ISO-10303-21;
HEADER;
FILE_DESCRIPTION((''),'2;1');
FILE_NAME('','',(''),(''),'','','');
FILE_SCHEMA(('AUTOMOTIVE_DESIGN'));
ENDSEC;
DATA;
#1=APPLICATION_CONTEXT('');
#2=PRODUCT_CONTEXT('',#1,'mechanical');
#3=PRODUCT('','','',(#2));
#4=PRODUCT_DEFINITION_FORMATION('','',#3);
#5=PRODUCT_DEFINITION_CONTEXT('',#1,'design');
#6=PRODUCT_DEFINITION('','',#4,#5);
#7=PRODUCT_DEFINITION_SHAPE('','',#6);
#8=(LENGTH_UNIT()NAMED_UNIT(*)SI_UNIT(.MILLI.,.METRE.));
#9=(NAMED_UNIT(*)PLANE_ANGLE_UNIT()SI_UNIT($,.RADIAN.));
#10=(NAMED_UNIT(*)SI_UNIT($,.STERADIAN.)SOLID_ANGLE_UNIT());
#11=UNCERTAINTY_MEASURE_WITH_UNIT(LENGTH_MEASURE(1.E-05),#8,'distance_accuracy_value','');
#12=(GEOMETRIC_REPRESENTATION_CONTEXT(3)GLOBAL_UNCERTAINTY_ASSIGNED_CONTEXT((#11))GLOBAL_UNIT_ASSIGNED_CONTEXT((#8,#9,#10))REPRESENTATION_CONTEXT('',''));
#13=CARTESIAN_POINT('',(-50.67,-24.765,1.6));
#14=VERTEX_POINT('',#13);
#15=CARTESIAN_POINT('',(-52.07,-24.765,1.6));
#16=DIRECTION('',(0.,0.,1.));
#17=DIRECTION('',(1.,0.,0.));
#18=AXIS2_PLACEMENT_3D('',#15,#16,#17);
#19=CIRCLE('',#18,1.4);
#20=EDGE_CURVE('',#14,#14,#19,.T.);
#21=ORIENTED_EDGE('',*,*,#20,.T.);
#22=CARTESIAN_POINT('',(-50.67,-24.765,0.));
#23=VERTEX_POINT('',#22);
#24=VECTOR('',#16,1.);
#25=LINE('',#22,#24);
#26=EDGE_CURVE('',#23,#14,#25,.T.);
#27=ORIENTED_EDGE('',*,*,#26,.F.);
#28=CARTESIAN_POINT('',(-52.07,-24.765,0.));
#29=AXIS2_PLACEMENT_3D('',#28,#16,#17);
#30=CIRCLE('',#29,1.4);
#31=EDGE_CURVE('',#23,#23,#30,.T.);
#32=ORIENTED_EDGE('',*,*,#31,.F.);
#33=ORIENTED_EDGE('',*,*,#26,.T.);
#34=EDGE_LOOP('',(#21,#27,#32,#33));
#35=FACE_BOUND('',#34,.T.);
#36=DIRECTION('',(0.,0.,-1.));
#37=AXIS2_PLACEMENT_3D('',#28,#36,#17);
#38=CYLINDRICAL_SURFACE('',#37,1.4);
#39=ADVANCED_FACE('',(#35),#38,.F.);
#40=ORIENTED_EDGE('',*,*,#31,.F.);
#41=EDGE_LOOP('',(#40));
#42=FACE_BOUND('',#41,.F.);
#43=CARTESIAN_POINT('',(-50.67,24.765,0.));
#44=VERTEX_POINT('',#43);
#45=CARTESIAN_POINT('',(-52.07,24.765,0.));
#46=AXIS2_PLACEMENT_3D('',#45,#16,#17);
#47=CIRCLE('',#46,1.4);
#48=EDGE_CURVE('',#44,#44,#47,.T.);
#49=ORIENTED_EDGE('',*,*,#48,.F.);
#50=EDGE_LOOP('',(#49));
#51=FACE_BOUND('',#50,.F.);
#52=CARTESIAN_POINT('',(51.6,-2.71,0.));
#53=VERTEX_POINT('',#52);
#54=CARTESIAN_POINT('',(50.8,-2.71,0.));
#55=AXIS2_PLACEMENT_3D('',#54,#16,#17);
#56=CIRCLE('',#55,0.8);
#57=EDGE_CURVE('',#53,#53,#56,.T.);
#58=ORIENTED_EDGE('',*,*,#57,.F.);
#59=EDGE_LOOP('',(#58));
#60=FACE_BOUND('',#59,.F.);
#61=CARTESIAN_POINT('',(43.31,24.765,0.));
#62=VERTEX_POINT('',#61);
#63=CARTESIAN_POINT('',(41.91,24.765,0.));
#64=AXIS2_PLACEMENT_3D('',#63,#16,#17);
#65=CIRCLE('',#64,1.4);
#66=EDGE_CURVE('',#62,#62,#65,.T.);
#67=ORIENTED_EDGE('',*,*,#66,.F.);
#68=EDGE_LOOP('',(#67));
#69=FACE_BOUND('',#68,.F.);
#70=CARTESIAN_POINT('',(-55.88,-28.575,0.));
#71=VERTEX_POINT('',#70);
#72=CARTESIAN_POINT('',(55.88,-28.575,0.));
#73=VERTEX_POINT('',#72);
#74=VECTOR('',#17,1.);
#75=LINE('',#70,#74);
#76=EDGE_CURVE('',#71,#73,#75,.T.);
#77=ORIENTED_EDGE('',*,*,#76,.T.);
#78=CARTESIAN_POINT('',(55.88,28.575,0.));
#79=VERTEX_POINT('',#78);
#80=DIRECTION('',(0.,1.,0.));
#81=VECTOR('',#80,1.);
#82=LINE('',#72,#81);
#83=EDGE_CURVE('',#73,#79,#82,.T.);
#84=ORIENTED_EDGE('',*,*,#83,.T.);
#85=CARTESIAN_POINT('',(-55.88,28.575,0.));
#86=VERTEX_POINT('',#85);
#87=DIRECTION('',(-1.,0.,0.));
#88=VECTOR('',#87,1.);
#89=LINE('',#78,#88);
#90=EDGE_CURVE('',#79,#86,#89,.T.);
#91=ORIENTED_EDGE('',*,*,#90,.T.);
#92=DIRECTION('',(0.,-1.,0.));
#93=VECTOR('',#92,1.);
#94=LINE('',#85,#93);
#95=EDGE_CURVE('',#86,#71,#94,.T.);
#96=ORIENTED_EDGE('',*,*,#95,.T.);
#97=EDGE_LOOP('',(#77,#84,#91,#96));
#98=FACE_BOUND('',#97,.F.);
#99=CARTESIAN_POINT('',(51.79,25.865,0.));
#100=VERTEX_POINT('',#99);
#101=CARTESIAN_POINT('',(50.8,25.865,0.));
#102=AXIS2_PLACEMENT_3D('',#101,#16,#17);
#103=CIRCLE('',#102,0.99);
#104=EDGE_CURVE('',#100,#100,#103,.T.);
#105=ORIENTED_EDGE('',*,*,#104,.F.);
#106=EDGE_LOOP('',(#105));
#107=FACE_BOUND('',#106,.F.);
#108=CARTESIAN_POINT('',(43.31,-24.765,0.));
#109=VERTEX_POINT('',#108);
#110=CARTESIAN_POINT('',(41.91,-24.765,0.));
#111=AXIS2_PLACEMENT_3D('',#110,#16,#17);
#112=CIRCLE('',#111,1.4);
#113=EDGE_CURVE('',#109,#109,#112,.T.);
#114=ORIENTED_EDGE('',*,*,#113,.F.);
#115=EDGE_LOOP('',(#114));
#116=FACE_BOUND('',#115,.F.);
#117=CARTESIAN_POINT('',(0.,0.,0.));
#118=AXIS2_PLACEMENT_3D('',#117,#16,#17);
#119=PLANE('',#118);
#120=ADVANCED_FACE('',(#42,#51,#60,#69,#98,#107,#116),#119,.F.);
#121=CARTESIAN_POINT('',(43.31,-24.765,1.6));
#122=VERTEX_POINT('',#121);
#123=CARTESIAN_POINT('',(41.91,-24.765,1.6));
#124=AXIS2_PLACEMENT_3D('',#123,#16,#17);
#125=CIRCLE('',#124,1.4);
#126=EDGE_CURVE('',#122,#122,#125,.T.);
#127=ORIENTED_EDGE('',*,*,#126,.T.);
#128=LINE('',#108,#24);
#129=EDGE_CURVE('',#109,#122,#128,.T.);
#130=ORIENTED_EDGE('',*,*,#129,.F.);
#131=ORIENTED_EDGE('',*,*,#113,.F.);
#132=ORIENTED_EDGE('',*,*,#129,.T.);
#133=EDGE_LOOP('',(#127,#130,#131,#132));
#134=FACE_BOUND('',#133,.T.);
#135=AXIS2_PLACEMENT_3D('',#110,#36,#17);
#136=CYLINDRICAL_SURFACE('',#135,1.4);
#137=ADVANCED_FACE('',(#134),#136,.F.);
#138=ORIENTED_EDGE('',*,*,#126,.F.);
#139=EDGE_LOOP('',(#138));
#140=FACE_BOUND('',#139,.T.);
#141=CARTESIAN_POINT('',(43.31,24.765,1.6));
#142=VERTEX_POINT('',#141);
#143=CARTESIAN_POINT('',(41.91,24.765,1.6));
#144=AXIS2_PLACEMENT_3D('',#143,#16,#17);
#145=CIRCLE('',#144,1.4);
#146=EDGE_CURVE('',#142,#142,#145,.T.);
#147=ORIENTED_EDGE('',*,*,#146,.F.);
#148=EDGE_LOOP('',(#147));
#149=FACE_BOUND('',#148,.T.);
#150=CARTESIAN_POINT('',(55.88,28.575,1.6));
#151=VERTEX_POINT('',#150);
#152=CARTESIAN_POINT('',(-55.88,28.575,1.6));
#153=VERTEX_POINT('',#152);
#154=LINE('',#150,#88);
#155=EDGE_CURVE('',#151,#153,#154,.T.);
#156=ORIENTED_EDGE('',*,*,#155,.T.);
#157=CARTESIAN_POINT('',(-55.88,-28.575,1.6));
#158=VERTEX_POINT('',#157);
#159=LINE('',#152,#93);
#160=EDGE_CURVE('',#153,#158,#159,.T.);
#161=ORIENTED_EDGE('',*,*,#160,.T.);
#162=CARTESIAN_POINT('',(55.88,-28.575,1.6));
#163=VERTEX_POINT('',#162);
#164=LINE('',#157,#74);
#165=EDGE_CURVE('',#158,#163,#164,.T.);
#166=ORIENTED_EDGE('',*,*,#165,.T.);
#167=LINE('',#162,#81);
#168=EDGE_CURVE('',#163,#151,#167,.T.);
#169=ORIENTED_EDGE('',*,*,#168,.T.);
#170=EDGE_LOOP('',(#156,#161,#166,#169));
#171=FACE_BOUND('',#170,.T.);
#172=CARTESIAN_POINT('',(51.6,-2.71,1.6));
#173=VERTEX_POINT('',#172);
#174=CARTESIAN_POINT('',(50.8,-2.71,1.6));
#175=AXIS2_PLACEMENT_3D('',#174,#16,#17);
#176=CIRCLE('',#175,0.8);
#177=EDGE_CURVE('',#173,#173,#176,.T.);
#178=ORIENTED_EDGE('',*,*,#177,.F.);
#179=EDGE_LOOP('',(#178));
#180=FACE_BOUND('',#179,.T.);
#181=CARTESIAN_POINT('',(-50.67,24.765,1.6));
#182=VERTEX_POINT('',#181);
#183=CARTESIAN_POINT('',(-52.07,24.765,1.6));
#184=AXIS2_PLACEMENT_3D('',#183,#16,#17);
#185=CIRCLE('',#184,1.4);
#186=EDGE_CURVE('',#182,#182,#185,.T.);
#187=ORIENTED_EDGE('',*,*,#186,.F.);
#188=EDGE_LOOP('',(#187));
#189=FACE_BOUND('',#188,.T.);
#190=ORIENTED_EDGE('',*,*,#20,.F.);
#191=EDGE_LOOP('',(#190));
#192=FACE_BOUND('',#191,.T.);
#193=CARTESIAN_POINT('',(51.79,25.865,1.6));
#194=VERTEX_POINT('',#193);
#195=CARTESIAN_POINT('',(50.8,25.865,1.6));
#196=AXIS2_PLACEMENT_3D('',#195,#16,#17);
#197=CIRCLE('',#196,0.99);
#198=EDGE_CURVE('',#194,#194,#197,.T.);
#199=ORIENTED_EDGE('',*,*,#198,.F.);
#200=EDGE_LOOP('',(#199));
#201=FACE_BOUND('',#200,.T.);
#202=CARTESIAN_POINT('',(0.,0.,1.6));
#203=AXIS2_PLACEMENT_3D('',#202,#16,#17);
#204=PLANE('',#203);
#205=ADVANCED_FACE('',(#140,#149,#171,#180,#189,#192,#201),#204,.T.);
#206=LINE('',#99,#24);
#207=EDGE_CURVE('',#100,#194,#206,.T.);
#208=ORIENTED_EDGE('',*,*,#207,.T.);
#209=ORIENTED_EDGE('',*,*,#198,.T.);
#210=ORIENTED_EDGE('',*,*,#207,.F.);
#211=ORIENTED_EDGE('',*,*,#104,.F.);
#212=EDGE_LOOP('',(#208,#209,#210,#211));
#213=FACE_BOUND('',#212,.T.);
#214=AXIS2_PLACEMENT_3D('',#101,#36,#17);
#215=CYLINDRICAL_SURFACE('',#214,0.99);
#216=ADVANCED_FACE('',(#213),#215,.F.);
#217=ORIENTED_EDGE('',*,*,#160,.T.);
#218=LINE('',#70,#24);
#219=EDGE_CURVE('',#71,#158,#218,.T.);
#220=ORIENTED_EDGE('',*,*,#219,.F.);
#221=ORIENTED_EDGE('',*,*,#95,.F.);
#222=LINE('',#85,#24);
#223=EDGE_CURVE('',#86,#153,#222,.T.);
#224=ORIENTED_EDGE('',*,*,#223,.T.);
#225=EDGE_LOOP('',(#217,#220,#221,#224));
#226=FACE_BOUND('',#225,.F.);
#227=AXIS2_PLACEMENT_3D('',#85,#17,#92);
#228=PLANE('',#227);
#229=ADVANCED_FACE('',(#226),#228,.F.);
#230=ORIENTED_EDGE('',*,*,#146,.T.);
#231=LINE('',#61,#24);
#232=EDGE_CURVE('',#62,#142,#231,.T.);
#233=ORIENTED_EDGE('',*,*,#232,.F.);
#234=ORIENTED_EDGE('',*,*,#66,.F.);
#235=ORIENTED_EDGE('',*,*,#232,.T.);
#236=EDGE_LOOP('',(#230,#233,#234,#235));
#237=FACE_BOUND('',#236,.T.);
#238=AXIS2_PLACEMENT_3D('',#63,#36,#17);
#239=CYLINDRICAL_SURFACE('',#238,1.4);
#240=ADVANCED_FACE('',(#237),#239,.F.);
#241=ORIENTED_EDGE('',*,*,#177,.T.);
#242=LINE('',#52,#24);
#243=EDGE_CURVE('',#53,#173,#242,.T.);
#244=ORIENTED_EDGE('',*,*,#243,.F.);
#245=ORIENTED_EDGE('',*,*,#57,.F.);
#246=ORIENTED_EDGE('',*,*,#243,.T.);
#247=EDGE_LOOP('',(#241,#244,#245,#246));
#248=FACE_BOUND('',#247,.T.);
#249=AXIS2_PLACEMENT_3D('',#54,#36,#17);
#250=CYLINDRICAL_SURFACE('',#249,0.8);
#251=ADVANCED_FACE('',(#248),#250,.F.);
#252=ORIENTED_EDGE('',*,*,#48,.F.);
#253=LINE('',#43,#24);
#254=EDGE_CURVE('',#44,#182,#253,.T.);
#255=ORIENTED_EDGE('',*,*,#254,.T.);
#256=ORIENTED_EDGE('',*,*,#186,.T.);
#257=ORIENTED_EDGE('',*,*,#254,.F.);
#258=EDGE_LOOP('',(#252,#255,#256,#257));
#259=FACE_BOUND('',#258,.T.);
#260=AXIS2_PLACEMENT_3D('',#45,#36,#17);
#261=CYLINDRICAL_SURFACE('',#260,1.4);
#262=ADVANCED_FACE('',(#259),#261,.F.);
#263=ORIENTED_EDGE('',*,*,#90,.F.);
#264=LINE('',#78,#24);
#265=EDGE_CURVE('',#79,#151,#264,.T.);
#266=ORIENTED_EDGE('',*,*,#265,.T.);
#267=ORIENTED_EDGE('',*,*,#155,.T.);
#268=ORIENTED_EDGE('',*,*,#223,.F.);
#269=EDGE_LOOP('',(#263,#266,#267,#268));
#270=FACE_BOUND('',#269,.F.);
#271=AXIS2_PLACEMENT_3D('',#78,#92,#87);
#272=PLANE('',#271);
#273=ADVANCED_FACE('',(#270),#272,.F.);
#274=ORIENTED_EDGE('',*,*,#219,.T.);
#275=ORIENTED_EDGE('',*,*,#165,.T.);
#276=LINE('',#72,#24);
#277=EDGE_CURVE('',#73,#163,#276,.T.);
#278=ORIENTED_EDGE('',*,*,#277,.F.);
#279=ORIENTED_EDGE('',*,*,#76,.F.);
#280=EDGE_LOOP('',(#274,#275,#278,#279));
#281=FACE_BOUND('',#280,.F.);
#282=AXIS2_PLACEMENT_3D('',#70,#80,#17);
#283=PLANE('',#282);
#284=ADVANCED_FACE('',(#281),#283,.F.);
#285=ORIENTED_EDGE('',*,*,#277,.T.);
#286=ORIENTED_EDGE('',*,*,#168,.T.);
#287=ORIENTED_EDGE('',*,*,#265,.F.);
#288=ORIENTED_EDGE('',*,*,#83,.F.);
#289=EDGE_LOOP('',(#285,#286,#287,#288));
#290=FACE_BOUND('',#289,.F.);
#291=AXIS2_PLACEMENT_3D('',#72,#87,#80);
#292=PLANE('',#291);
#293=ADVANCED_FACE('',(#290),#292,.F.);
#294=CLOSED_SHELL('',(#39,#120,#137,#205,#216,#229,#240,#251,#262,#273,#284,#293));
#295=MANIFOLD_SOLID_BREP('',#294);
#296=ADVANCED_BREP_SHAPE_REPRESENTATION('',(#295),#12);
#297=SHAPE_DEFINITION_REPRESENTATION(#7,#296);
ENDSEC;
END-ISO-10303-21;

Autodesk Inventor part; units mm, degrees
ref_plane "YZ Plane" through (0, 0, 0) normal (1, 0, 0) x (0, 1, 0)
ref_plane "XZ Plane" through (0, 0, 0) normal (0, 1, 0) x (-1, 0, 0)
ref_plane "XY Plane" through (0, 0, 0) normal (0, 0, 1) x (1, 0, 0)
sketch "Sketch1" plane through (0, 0, 0) normal (0, 0, 1) x (1, 0, 0)
  line L0 (-55.88, -28.575) -> (55.88, -28.575)
  line L1 (55.88, -28.575) -> (55.88, 28.575)
  line L2 (55.88, 28.575) -> (-55.88, 28.575)
  line L3 (-55.88, 28.575) -> (-55.88, -28.575)
  line L4 (-55.88, -28.575) -> (55.88, 28.575) construction
  line L5 (55.88, -28.575) -> (-55.88, 28.575) construction
  circle A0 centre (-52.07, 24.765) radius 1.4
  line L6 (-55.88, 0) -> (55.88, 0) construction
  line L7 (0, 28.575) -> (0, -28.575) construction
  circle A1 centre (-52.07, -24.765) radius 1.4
  circle A2 centre (-31.75, 24.765) radius 1.4
  circle A3 centre (31.75, 24.765) radius 1.4
  circle A4 centre (-31.75, -24.765) radius 1.4
  circle A5 centre (31.75, -24.765) radius 1.4
  circle A6 centre (50.8, 25.865) radius 0.99
  circle A7 centre (41.91, 24.765) radius 1.4
  circle A8 centre (41.91, -24.765) radius 1.4
  circle A9 centre (50.8, -2.71) radius 0.8
  point P0 (0, 0)
  dimension "d2" = 111.76
  dimension "d4" = 57.15
  dimension "d5" = 49.53
  dimension "d6" = 2.8
  dimension "d8" = 2.8
  dimension "d10" = 49.53
  dimension "d21" = 3.81
  dimension "d22" = 3.81
  dimension "d23" = 3.81
  dimension "d28" = 3.81
  dimension "d30" = 63.5
  dimension "d35" = 1.98
  dimension "d36" = 5.08
  dimension "d37" = 2.71
  dimension "d38" = 2.8
  dimension "d39" = 3.81
  dimension "d40" = 13.97
  dimension "d41" = 63.5
  dimension "d42" = 1.6
  dimension "d43" = 5.08
  dimension "d44" = 2.71
extrude "Extrusion1" add sketch "Sketch1" along normal blind 1.6 contours L3 L2 L1 L0 | A2 | A3 | A4 | A5
sketch "Sketch3" plane through (0, 0, 1.6) normal (0, 0, 1) x (1, 0, 0)
  circle A0 centre (26.67, -24.765) radius 1.4 projected
  circle A1 centre (-26.67, -24.765) radius 1.4 projected
  line L0 (55.88, 28.575) -> (-55.88, 28.575) projected
  line L1 (-21.67, -25.765) -> (21.67, -25.765)
  line L2 (21.67, -25.765) -> (21.67, 30.575)
  line L3 (21.67, 30.575) -> (-21.67, 30.575)
  line L4 (-21.67, 30.575) -> (-21.67, -25.765)
  line L5 (55.88, -28.575) -> (55.88, 28.575) projected
  line L6 (-55.88, 28.575) -> (-55.88, -28.575) projected
  point P0 (0, 0)
  dimension "d15" = 2
  dimension "d16" = 5
  dimension "d17" = 5
  dimension "d18" = 1
  dimension "d33" = 34.21
  dimension "d34" = 34.21
extrude "Extrusion3" [suppressed]
properties part number "BetaBoard01" material "PCB(1)"
